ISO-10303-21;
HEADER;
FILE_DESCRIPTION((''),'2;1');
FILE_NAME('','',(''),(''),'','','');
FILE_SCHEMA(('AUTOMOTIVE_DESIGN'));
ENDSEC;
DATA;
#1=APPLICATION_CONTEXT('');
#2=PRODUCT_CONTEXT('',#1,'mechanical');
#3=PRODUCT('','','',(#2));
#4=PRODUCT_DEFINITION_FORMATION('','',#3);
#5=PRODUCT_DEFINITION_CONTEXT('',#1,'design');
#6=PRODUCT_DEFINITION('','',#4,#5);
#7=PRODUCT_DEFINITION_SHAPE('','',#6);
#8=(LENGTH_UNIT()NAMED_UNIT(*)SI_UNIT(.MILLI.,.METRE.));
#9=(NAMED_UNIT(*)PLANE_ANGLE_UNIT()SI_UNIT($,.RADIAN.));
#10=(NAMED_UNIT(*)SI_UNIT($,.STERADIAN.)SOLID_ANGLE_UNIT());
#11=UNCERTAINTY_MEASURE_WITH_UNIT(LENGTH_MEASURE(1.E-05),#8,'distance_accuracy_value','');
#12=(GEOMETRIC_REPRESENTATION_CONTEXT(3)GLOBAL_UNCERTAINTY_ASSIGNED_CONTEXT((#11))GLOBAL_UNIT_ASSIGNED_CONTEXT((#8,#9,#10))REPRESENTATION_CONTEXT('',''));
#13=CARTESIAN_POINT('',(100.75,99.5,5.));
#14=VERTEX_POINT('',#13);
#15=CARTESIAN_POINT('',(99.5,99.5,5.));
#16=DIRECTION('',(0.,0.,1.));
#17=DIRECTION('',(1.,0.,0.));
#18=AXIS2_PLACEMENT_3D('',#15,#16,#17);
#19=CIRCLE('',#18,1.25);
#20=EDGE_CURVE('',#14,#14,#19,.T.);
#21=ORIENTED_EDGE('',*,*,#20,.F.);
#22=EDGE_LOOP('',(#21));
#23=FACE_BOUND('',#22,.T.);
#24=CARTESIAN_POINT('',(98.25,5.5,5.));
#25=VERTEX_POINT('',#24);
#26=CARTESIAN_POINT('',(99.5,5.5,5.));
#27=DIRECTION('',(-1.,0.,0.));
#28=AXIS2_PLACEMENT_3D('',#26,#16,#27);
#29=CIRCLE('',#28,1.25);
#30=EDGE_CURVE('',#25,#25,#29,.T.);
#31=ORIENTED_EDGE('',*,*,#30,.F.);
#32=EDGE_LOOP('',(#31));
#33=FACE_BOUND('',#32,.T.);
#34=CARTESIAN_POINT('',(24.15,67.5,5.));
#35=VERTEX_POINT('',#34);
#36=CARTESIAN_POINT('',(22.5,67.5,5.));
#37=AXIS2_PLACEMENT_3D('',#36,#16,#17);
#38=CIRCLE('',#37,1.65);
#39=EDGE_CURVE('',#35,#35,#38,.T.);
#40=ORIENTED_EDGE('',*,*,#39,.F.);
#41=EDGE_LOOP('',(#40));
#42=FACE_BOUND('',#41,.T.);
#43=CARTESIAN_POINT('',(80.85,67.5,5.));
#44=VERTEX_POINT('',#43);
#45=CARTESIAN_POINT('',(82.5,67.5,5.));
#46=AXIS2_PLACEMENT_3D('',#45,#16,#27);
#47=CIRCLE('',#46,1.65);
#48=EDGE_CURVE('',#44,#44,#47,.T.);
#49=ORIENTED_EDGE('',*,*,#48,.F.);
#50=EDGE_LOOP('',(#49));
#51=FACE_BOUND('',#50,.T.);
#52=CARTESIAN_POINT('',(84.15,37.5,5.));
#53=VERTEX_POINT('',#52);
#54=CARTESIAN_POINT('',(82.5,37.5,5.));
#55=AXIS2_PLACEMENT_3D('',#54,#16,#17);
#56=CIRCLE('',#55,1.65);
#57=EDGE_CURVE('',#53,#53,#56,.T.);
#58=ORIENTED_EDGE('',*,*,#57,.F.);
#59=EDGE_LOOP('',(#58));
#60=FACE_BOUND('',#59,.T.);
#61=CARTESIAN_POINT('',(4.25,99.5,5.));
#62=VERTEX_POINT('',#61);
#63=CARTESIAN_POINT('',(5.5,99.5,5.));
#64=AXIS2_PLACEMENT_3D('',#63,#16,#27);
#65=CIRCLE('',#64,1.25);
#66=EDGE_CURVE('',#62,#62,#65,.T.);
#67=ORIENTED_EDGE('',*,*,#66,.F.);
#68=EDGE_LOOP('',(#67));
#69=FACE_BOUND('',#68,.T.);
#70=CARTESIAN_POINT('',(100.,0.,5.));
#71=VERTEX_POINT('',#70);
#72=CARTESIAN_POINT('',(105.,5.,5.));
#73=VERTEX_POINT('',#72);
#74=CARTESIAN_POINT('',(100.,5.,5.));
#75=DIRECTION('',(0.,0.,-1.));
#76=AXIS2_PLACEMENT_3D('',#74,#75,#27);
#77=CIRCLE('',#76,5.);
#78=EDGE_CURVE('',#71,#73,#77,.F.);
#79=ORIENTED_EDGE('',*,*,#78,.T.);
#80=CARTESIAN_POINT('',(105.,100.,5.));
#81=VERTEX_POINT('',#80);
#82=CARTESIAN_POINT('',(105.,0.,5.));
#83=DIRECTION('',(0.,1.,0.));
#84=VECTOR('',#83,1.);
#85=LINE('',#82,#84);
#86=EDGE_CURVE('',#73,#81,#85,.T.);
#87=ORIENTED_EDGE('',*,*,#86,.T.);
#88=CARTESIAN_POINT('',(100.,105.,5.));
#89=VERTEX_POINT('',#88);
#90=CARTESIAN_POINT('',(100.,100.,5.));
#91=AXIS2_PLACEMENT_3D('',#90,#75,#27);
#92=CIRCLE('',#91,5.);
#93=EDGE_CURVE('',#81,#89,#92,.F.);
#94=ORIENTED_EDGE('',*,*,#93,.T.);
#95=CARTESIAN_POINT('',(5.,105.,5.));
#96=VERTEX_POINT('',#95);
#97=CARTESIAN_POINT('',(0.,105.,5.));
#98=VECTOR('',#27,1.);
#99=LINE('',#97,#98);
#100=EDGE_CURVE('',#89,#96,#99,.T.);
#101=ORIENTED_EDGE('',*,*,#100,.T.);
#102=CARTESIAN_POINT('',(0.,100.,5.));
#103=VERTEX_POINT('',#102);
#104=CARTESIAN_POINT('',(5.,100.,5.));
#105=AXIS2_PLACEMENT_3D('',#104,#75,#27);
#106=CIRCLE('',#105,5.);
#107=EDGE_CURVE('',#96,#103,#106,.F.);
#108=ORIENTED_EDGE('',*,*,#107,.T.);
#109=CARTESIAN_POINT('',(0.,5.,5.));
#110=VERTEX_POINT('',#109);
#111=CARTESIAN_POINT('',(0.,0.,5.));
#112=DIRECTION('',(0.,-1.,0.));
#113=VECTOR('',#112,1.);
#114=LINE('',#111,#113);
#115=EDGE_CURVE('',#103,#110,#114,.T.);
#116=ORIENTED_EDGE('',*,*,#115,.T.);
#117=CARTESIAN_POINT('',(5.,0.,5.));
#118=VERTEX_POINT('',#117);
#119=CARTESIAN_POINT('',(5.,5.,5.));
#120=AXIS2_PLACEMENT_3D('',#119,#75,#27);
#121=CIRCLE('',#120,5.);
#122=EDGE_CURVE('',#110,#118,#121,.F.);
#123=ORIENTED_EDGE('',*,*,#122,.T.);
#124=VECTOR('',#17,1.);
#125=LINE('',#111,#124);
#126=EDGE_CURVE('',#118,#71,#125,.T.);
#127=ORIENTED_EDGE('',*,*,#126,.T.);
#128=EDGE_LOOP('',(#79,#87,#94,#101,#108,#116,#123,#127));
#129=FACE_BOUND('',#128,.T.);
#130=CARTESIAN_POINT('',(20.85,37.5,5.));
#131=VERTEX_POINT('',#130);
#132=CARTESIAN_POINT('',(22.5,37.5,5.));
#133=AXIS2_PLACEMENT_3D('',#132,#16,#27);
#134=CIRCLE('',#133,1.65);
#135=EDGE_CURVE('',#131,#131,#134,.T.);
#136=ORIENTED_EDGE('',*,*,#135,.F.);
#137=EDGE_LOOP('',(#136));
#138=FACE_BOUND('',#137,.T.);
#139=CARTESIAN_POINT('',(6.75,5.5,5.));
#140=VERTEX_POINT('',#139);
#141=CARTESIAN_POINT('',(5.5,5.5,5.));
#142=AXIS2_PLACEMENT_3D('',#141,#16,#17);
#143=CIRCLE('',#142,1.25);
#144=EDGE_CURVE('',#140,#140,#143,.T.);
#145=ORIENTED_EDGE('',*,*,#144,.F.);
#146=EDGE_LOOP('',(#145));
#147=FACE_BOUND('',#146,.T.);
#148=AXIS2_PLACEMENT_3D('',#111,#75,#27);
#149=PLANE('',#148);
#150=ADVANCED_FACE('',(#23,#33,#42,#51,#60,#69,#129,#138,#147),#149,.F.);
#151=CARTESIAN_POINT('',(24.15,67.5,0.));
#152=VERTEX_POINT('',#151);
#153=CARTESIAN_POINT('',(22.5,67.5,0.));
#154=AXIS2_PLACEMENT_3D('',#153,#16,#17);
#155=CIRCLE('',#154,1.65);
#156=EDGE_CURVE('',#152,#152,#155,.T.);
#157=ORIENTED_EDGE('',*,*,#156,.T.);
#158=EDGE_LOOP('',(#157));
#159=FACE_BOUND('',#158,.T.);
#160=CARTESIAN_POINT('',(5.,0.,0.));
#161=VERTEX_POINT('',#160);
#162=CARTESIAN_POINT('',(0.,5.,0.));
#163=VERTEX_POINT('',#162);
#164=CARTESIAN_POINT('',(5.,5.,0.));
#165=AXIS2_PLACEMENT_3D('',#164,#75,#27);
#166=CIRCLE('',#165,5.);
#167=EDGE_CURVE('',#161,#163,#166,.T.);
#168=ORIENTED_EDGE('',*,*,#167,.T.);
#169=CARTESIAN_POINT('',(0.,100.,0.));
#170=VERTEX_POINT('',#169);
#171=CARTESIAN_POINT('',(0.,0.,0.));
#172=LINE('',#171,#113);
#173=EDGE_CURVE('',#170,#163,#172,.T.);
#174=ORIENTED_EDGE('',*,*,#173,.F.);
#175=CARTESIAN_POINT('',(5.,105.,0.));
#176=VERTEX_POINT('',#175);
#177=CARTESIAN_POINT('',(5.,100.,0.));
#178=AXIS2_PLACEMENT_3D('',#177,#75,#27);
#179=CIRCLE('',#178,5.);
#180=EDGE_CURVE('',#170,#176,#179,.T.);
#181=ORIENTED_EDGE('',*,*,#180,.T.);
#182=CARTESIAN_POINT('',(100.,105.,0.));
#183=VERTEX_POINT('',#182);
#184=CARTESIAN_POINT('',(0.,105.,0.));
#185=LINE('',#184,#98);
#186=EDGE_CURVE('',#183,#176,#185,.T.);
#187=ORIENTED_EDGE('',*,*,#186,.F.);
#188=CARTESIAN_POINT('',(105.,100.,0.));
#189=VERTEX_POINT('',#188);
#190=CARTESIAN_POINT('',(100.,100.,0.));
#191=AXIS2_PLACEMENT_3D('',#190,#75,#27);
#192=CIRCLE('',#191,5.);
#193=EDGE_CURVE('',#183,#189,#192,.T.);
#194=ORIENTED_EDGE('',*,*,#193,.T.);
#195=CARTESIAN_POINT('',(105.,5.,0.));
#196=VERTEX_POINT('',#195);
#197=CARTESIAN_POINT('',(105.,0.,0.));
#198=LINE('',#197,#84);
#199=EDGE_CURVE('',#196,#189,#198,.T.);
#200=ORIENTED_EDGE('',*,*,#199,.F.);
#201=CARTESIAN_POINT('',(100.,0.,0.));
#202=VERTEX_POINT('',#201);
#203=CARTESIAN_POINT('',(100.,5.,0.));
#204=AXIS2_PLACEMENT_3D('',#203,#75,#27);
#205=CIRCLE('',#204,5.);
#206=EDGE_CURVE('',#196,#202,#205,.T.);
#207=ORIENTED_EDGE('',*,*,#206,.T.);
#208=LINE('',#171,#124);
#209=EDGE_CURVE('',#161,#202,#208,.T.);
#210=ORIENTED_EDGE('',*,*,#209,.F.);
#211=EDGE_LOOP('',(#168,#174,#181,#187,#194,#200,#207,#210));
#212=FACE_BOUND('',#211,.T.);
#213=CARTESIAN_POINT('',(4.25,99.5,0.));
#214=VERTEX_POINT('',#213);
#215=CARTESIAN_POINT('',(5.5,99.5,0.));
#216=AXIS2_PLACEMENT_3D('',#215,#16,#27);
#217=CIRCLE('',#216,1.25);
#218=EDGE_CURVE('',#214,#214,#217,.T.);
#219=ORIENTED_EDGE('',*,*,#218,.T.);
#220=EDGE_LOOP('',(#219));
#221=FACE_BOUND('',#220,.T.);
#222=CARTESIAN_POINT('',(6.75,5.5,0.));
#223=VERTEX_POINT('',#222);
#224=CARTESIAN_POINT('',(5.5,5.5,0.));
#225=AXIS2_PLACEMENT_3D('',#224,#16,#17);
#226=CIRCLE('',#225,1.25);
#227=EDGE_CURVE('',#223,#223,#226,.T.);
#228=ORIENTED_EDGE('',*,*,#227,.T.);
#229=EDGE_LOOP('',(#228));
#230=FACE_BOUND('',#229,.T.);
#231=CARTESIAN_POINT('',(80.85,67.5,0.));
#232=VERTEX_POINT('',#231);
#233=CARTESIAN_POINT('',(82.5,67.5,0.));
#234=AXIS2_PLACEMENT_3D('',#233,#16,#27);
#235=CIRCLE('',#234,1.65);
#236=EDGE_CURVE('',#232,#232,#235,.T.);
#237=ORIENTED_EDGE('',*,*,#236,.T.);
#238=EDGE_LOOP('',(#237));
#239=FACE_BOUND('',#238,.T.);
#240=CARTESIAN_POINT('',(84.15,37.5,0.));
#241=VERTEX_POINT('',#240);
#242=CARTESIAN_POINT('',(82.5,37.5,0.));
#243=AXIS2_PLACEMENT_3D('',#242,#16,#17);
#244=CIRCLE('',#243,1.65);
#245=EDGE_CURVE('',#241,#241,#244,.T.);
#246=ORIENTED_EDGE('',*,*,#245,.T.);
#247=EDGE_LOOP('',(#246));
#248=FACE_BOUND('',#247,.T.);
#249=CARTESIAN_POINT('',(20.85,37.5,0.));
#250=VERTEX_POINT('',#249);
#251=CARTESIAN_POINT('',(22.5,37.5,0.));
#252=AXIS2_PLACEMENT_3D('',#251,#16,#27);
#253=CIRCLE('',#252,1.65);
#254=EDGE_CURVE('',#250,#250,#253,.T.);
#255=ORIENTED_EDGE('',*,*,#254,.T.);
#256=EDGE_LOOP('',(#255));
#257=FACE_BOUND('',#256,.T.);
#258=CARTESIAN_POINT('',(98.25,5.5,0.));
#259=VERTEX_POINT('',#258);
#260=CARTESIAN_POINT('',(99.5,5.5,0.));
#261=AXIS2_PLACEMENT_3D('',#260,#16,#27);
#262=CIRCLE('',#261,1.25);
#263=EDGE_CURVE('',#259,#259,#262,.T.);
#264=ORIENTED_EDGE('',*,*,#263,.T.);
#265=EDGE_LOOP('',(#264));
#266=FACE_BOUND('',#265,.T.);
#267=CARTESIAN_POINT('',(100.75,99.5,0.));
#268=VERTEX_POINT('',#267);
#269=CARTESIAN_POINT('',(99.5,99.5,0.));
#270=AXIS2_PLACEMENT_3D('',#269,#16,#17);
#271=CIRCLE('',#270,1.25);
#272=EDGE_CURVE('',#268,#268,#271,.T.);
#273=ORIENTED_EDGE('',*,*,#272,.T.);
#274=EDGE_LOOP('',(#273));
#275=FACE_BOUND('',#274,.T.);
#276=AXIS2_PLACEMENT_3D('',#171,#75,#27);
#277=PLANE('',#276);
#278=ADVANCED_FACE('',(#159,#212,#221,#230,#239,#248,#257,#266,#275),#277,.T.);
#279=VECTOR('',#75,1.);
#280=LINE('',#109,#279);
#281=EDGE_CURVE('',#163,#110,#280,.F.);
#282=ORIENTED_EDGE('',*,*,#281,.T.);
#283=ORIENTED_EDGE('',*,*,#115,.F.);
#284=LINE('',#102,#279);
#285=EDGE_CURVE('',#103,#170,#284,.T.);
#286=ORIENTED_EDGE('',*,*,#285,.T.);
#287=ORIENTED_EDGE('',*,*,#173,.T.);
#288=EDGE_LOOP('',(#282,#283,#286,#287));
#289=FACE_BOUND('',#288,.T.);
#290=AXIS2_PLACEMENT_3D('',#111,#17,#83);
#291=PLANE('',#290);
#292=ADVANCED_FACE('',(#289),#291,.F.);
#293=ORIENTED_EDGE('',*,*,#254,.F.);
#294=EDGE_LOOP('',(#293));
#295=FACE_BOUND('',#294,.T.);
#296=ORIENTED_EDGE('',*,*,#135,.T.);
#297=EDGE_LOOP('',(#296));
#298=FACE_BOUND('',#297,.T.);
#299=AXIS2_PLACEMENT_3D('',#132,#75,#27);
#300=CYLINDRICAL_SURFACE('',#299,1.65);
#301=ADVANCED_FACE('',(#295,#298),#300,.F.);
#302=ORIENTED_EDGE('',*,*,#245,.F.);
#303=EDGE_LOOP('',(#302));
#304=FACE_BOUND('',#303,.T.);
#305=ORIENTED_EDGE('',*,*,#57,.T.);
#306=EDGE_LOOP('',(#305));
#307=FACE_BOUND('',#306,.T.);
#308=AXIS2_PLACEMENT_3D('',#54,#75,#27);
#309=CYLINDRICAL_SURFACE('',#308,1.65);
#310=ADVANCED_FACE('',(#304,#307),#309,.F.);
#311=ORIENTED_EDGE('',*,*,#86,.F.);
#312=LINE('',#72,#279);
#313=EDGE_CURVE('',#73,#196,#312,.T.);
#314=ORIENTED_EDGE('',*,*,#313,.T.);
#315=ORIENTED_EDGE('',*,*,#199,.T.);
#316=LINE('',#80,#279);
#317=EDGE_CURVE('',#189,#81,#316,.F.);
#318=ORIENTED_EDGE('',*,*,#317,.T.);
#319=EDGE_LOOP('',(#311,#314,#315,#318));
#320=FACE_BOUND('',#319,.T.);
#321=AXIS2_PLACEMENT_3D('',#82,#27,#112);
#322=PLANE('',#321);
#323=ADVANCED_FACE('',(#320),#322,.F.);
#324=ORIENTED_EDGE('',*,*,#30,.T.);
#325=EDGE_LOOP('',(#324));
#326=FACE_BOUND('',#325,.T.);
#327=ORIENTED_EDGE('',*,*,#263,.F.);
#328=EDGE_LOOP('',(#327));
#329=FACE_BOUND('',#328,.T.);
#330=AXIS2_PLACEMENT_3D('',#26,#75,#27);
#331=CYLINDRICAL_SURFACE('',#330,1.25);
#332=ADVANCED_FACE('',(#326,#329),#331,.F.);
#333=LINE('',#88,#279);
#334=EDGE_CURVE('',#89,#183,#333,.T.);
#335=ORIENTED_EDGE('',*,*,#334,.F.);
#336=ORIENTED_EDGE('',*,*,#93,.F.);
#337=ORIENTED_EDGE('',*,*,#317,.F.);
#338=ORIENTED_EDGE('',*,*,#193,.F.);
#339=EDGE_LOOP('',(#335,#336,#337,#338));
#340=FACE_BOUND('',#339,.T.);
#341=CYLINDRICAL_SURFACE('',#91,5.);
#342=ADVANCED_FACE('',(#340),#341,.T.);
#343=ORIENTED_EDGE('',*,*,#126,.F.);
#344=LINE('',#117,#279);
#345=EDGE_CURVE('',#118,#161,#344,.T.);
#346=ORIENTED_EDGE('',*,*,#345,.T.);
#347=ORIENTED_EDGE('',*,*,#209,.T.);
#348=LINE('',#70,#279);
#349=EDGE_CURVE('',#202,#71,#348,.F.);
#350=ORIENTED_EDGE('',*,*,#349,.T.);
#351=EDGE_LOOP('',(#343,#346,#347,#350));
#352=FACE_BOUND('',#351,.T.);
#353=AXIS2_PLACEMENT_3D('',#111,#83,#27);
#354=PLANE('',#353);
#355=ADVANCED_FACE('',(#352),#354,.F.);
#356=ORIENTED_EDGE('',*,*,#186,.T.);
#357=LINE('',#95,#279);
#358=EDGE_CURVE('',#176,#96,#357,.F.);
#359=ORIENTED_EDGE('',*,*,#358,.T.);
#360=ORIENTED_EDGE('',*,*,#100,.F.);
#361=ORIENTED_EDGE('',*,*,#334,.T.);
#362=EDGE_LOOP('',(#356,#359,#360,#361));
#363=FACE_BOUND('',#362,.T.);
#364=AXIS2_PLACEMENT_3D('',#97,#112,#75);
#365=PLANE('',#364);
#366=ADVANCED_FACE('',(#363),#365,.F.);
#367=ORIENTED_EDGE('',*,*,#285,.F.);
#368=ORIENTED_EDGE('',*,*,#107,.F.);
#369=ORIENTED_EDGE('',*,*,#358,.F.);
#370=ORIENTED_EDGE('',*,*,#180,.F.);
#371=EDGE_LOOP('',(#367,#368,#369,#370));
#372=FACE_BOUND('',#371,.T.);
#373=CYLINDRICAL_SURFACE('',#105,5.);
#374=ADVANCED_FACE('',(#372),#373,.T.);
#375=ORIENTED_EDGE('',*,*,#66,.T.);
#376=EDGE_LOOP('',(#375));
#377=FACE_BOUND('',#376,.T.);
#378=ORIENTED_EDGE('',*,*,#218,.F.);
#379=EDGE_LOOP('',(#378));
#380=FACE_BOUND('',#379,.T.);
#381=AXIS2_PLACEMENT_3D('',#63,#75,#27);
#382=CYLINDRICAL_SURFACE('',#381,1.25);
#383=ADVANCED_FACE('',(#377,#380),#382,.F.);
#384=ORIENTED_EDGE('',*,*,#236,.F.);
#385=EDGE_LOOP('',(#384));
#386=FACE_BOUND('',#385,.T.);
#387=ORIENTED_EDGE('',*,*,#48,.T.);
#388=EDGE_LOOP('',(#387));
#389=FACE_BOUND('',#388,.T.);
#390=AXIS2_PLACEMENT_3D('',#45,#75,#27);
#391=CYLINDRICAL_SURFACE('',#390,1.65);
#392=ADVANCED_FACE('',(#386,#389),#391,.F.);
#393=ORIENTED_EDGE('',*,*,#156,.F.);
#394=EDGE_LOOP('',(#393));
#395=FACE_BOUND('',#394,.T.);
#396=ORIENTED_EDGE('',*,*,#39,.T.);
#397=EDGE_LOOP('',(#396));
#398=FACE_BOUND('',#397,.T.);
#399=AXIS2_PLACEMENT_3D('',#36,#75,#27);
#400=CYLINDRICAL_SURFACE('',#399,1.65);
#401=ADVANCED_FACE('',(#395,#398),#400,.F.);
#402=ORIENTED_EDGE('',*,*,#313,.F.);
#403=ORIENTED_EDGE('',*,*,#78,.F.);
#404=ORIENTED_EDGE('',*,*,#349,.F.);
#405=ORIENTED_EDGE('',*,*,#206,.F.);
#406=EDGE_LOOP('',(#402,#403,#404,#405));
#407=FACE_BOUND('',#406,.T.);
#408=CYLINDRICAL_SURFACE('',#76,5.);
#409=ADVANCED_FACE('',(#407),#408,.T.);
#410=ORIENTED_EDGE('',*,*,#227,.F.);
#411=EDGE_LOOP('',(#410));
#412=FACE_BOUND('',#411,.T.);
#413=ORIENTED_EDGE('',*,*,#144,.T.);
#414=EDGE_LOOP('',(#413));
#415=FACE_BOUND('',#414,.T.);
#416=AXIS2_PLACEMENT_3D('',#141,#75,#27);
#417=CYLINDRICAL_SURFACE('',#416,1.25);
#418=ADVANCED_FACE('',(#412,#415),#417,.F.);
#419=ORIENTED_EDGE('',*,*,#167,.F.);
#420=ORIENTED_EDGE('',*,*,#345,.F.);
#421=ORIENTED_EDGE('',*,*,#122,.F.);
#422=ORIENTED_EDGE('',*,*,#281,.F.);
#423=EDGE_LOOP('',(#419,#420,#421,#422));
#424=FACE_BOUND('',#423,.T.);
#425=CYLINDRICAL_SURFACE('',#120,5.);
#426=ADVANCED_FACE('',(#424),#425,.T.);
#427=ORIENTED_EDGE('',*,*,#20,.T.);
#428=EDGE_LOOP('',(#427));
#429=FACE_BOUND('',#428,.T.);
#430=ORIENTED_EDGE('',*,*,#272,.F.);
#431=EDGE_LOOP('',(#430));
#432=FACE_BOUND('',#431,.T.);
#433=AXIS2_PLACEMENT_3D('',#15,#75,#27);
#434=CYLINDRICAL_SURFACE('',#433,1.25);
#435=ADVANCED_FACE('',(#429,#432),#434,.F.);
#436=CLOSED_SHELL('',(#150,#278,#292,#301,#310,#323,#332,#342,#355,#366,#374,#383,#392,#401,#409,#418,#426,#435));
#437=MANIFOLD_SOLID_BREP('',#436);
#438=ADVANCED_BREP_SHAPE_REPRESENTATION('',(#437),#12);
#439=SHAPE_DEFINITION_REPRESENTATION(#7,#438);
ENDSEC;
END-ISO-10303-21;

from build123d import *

# Parameters (mm, degrees)
ESQUISSE1_W        = 105
ESQUISSE1_H        = 105
ESQUISSE1_R        = 1.25
ESQUISSE1_R_2      = 1.65
BOSS_EXTRU_1_DEPTH = 5
CONG_1_R           = 5


with BuildPart() as part:
    # Esquisse1 → Boss.-Extru.1 (new body)
    with BuildSketch(Plane.XY):
        with Locations((52.5, 52.5)):
            Rectangle(ESQUISSE1_W, ESQUISSE1_H)
        with Locations((5.5, 5.5)):
            Circle(ESQUISSE1_R, mode=Mode.SUBTRACT)
        with Locations(Location((99.5, 5.5, 0), (0, 0, 180))):
            Circle(ESQUISSE1_R, mode=Mode.SUBTRACT)
        with Locations((99.5, 99.5)):
            Circle(ESQUISSE1_R, mode=Mode.SUBTRACT)
        with Locations(Location((5.5, 99.5, 0), (0, 0, 180))):
            Circle(ESQUISSE1_R, mode=Mode.SUBTRACT)
        with Locations((22.5, 67.5)):
            Circle(ESQUISSE1_R_2, mode=Mode.SUBTRACT)
        with Locations(Location((22.5, 37.5, 0), (0, 0, 180))):
            Circle(ESQUISSE1_R_2, mode=Mode.SUBTRACT)
        with Locations((82.5, 37.5)):
            Circle(ESQUISSE1_R_2, mode=Mode.SUBTRACT)
        with Locations(Location((82.5, 67.5, 0), (0, 0, 180))):
            Circle(ESQUISSE1_R_2, mode=Mode.SUBTRACT)
    extrude(amount=BOSS_EXTRU_1_DEPTH)

    # Congé1
    cong_1_edges = [part.edges().sort_by_distance(p)[0] for p in [
        (0, 105, 2.5),
        (105, 105, 2.5),
        (105, 0, 2.5),
        (0, 0, 2.5),
    ]]
    fillet(cong_1_edges, radius=CONG_1_R)


solid = part.part
